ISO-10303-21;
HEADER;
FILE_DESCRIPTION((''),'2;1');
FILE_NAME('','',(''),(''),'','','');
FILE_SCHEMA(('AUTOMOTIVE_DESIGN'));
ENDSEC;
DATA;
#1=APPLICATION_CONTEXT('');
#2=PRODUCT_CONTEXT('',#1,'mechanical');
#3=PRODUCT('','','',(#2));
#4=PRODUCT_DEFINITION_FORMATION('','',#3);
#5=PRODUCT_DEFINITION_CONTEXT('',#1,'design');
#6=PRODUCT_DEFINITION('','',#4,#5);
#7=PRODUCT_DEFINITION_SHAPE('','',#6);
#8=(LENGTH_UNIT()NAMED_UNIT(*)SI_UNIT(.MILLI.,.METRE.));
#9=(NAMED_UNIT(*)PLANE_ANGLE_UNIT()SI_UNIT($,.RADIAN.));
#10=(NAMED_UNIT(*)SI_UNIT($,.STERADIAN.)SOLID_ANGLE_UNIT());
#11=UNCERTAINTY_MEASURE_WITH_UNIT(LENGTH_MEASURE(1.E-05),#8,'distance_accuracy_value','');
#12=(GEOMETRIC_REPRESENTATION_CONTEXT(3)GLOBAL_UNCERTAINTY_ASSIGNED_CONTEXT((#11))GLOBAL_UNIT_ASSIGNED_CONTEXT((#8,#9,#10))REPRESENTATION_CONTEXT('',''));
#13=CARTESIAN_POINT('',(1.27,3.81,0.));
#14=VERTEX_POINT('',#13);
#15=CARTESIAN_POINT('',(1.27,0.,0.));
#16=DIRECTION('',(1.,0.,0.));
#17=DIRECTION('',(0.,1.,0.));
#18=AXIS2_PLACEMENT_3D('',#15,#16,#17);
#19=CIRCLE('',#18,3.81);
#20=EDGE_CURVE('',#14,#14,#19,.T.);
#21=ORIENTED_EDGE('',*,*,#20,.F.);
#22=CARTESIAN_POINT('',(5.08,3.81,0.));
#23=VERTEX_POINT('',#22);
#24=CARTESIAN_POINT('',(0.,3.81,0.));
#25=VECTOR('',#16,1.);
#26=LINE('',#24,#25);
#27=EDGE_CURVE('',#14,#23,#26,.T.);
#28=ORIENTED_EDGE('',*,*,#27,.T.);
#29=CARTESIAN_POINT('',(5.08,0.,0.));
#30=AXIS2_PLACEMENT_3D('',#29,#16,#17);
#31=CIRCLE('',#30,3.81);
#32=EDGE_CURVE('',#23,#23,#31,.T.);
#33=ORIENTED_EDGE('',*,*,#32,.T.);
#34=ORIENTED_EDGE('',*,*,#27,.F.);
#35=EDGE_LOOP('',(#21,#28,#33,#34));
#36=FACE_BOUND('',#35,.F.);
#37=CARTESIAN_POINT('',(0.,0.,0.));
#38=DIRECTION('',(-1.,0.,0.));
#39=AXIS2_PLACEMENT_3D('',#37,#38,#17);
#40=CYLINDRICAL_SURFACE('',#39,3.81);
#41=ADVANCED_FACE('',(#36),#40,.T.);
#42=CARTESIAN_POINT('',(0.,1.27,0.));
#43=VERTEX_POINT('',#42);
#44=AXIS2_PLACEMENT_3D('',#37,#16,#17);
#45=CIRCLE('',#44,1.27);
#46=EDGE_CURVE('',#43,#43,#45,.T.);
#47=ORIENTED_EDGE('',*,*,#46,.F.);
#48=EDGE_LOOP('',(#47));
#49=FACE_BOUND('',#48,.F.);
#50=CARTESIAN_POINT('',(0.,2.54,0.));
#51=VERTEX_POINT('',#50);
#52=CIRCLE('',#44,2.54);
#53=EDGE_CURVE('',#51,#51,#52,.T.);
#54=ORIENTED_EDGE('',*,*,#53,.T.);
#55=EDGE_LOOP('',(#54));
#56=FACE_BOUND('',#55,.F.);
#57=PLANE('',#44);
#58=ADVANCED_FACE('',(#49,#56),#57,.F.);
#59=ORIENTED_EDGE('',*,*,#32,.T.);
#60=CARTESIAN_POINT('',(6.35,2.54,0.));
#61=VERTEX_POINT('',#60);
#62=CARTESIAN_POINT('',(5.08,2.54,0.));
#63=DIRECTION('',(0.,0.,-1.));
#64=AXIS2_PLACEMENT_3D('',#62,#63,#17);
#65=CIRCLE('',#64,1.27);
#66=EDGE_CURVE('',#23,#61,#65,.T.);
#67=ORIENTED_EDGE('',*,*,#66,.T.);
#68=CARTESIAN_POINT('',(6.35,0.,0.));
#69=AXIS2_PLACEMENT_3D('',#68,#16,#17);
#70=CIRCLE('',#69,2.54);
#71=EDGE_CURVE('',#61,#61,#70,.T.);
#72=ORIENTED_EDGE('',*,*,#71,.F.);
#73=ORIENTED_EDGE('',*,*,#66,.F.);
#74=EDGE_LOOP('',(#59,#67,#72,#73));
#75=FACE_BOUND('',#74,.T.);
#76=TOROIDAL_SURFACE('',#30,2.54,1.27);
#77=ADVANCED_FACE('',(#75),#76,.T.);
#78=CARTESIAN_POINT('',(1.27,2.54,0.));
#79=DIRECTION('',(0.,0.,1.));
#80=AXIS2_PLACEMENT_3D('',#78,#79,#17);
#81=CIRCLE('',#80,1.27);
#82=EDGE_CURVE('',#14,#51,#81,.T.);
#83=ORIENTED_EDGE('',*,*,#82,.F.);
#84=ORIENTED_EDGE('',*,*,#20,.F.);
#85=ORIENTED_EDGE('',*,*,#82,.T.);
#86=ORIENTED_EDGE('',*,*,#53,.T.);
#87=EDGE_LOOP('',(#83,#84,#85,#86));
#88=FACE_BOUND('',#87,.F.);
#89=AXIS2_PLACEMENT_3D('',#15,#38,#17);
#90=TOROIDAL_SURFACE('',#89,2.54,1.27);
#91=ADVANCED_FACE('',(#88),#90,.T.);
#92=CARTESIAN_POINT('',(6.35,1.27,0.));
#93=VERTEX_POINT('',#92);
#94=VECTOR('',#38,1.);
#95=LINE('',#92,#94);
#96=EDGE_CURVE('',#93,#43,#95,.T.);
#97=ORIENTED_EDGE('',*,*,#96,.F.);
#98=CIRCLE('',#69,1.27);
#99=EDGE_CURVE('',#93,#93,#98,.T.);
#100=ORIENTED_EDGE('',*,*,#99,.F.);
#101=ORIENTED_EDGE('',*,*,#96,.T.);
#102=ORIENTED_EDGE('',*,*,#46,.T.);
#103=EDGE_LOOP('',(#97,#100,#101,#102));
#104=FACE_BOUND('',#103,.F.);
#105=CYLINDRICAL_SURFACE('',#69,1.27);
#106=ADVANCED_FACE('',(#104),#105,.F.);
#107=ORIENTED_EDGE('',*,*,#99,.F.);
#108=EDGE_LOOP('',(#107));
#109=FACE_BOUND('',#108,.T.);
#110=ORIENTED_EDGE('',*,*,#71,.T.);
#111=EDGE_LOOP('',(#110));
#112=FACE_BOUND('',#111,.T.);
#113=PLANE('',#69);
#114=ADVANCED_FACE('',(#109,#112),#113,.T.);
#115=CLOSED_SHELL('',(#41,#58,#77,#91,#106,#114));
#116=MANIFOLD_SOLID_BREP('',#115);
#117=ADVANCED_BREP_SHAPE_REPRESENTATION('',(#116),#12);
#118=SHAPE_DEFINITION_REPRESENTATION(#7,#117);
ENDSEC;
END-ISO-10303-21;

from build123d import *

# Parameters (mm, degrees)
F0_R     = 3.81
F1_DEPTH = 6.35
F2_R     = 1.27
F3_R     = 1.27
F4_DEPTH = 25.4


with BuildPart() as f1:
    # F0 (on Right) → F1 (new body)
    with BuildSketch(Plane.YZ):
        Circle(F0_R)
    extrude(amount=F1_DEPTH)

    # F2
    f2_edges = [f1.edges().sort_by_distance(p)[0] for p in [
        (6.35, -3.81, 0),
        (0, -3.81, 0),
    ]]
    fillet(f2_edges, radius=F2_R)

    # F3 (on face) → F4 (cut)
    with BuildSketch(Plane.YZ.offset(6.35)):
        Circle(F3_R)
    extrude(amount=-F4_DEPTH, mode=Mode.SUBTRACT)


solid = f1.part
